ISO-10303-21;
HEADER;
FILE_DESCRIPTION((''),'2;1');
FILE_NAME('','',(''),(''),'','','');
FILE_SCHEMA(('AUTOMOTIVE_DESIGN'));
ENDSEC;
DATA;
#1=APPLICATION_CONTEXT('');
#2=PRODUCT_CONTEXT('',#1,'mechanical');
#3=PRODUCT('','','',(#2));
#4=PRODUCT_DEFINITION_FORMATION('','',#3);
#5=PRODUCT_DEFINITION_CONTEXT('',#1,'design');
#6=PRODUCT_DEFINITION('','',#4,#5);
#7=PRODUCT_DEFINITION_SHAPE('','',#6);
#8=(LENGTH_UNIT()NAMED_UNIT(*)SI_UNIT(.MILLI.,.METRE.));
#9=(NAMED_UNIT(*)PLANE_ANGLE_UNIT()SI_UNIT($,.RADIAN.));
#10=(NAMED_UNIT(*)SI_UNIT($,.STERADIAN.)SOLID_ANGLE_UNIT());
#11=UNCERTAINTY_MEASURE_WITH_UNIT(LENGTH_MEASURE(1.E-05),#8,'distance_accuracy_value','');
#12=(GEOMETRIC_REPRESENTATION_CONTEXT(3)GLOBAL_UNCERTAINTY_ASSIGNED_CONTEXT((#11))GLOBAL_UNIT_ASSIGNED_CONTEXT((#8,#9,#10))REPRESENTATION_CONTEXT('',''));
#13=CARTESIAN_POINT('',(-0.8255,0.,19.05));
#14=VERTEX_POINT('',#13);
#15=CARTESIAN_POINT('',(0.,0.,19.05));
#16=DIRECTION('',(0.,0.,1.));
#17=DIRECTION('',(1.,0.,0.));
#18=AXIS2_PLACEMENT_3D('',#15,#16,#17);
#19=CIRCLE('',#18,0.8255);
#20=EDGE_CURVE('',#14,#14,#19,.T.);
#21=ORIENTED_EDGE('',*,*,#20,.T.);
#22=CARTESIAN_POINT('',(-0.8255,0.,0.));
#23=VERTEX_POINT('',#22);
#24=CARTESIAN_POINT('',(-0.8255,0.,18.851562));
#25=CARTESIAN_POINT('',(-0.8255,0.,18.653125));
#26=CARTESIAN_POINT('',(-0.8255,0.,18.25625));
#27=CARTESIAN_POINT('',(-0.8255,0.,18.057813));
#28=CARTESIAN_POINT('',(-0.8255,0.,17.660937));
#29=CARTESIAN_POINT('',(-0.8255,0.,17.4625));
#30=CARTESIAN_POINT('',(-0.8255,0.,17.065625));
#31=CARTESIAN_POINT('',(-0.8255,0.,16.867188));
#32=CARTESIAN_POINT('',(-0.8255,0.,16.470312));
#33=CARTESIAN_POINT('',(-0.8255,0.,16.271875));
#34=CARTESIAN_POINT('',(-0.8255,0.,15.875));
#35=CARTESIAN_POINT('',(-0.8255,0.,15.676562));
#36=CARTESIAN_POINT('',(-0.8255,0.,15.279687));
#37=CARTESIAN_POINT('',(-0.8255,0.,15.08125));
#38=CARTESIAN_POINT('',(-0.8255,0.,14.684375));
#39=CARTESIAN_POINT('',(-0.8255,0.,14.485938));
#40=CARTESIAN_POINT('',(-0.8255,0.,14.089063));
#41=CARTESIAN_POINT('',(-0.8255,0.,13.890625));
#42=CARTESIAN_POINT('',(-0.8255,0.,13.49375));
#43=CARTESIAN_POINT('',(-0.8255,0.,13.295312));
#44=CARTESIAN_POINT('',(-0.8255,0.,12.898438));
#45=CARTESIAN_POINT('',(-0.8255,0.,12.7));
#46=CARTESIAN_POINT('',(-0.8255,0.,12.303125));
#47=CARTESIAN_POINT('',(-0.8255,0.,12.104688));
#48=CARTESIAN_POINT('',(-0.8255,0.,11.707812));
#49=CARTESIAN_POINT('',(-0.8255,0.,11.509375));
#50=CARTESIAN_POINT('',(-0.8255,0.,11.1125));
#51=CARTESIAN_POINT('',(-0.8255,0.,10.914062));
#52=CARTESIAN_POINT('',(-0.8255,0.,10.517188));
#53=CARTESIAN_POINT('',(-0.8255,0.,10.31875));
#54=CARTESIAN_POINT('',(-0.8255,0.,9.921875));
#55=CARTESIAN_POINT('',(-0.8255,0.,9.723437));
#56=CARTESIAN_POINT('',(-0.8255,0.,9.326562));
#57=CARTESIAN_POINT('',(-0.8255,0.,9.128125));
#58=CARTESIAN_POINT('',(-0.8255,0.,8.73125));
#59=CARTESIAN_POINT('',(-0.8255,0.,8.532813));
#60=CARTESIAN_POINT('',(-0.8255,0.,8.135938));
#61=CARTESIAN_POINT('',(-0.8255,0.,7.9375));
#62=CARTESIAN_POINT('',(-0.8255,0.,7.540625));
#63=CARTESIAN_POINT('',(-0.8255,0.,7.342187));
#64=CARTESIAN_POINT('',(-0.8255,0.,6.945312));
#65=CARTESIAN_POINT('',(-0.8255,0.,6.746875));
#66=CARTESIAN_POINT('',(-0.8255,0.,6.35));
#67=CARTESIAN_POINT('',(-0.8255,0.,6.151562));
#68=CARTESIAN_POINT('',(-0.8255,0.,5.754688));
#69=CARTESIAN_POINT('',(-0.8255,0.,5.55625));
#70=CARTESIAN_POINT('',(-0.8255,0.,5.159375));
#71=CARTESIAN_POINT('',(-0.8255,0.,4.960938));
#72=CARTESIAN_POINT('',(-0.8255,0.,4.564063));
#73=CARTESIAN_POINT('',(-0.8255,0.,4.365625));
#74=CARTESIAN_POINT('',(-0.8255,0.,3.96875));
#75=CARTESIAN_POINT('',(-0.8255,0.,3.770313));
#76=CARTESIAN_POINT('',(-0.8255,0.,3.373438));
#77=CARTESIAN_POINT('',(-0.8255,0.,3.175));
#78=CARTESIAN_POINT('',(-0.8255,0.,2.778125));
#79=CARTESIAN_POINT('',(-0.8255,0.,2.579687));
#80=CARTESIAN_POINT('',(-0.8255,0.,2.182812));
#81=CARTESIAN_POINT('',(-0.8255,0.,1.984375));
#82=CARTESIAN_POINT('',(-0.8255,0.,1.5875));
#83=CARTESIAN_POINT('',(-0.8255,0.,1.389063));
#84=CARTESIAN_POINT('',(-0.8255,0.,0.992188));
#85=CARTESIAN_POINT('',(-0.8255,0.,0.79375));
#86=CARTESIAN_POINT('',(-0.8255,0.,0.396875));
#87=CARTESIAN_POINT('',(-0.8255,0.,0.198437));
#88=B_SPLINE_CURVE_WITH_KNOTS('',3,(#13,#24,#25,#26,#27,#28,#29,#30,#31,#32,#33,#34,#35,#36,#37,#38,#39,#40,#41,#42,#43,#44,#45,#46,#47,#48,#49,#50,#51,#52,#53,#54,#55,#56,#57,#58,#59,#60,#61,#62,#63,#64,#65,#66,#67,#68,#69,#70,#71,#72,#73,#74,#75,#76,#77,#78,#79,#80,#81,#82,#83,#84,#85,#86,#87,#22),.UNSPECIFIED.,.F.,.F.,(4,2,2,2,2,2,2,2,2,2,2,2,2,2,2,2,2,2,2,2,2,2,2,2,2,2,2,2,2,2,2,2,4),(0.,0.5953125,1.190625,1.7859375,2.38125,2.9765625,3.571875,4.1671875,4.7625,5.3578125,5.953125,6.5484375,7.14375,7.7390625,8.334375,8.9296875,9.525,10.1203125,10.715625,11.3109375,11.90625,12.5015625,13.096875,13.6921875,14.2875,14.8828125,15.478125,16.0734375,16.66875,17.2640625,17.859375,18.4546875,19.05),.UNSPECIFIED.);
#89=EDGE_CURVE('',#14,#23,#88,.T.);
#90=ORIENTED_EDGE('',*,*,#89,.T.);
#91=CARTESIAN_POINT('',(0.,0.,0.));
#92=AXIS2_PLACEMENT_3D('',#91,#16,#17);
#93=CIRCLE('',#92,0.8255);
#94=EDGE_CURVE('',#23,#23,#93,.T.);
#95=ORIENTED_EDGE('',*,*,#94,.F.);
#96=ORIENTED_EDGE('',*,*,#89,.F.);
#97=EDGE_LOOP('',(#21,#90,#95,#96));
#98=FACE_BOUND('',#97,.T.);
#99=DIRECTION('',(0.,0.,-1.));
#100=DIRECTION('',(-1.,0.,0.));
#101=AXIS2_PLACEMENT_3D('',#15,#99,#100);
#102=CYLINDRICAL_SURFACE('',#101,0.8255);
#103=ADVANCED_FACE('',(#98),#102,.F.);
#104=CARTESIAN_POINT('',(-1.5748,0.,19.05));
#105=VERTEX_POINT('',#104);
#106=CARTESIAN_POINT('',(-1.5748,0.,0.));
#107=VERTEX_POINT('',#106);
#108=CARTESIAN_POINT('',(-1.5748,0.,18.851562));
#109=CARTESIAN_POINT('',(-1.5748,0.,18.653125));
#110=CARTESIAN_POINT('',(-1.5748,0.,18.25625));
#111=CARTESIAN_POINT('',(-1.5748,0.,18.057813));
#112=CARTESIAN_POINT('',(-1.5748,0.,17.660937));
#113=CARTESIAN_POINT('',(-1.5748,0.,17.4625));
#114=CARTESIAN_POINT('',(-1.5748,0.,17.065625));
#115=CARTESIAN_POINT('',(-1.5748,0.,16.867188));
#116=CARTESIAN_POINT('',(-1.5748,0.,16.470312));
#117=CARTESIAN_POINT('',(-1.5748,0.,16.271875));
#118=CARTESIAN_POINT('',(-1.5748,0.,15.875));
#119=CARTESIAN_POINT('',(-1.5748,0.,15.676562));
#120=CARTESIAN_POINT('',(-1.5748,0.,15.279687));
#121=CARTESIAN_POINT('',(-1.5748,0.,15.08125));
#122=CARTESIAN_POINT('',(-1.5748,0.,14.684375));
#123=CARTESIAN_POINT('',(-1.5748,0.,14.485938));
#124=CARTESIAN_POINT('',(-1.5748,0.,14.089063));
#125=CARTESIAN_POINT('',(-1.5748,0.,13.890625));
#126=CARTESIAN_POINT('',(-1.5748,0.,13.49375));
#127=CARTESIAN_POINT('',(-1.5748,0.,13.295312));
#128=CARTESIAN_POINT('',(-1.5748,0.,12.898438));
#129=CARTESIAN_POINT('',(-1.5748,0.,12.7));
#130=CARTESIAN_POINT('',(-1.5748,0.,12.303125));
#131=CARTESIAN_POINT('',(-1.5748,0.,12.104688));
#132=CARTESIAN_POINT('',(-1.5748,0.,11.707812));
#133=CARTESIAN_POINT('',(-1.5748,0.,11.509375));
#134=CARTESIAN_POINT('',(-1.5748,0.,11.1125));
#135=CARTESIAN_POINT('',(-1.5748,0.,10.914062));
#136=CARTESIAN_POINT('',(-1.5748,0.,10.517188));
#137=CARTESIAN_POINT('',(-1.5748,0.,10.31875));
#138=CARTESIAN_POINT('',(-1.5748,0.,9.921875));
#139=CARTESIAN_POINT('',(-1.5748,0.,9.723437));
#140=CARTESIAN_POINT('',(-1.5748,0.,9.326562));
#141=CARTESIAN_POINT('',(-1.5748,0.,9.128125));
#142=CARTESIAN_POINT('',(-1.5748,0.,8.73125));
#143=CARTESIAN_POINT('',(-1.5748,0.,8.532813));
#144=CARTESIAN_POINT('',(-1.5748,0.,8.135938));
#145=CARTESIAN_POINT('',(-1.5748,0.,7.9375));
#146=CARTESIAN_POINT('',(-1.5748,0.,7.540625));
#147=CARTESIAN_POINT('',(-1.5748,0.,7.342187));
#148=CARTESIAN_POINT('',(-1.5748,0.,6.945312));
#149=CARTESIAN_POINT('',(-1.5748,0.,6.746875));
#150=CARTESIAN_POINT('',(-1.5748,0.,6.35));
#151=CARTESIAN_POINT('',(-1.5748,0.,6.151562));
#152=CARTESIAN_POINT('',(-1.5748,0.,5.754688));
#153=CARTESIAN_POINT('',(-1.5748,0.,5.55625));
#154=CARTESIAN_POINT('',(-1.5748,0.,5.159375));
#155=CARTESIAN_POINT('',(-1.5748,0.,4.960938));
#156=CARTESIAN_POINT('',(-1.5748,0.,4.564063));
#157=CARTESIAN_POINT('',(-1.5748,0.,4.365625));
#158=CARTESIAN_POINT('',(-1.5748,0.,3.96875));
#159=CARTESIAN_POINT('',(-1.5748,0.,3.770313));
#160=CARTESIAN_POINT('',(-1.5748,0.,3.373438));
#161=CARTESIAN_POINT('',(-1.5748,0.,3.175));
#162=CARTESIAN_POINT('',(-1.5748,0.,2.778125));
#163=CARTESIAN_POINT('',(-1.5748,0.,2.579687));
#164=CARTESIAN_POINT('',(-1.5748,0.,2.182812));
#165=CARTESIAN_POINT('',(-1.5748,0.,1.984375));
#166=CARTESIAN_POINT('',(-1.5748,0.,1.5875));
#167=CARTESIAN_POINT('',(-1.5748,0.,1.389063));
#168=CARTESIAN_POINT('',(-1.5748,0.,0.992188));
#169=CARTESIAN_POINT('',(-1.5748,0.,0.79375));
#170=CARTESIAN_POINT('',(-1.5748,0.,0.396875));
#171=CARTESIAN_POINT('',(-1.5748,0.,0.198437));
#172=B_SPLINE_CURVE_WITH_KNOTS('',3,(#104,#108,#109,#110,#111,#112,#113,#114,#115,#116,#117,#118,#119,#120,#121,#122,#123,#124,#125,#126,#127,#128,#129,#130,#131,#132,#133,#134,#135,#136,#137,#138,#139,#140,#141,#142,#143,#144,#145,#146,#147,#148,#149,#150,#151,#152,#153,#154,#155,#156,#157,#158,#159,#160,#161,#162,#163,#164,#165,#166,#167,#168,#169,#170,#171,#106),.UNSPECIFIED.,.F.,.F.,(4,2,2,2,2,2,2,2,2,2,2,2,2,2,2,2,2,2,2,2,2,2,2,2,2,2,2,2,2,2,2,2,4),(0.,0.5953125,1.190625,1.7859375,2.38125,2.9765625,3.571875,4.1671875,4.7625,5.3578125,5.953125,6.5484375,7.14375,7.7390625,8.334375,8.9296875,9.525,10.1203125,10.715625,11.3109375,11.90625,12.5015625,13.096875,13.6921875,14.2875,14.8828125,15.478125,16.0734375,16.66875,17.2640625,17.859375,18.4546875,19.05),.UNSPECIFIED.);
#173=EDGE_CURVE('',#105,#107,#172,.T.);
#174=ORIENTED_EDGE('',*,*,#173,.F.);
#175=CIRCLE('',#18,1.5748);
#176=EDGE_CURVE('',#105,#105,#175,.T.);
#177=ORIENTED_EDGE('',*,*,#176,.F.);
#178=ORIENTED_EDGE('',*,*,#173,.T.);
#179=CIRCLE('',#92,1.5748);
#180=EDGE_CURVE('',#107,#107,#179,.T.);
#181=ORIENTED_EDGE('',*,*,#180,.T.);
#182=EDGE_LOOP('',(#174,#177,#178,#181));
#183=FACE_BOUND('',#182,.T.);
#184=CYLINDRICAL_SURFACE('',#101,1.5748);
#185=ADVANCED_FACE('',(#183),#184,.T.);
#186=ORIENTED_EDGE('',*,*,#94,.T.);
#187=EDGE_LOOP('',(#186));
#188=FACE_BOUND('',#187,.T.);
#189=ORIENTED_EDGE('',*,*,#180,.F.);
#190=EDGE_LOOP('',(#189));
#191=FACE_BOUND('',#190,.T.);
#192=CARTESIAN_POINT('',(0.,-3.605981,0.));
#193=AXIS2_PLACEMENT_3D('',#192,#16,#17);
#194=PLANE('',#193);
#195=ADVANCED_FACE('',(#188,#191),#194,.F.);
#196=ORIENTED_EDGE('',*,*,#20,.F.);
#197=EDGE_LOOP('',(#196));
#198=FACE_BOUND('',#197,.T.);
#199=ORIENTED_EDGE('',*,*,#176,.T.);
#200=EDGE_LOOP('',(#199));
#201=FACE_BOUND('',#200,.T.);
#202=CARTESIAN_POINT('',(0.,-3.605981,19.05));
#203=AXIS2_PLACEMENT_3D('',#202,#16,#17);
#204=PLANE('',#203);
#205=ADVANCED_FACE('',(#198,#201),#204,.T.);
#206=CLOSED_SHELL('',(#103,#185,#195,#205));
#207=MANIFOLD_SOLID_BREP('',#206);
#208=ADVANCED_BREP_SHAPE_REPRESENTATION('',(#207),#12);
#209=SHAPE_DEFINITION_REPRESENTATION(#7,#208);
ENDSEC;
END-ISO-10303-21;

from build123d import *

# Parameters (mm, degrees)
SKETCH1_R      = 1.5748
SKETCH1_R_2    = 0.8255
EXTRUDE1_DEPTH = 19.05


with BuildPart() as part:
    # Sketch1 → Extrude1 (new body)
    with BuildSketch(Plane.XY):
        with Locations(Location((0, 0, 0), (0, 0, 180))):
            Circle(SKETCH1_R)
        with Locations(Location((0, 0, 0), (0, 0, 180))):
            Circle(SKETCH1_R_2, mode=Mode.SUBTRACT)
    extrude(amount=EXTRUDE1_DEPTH)


solid = part.part
